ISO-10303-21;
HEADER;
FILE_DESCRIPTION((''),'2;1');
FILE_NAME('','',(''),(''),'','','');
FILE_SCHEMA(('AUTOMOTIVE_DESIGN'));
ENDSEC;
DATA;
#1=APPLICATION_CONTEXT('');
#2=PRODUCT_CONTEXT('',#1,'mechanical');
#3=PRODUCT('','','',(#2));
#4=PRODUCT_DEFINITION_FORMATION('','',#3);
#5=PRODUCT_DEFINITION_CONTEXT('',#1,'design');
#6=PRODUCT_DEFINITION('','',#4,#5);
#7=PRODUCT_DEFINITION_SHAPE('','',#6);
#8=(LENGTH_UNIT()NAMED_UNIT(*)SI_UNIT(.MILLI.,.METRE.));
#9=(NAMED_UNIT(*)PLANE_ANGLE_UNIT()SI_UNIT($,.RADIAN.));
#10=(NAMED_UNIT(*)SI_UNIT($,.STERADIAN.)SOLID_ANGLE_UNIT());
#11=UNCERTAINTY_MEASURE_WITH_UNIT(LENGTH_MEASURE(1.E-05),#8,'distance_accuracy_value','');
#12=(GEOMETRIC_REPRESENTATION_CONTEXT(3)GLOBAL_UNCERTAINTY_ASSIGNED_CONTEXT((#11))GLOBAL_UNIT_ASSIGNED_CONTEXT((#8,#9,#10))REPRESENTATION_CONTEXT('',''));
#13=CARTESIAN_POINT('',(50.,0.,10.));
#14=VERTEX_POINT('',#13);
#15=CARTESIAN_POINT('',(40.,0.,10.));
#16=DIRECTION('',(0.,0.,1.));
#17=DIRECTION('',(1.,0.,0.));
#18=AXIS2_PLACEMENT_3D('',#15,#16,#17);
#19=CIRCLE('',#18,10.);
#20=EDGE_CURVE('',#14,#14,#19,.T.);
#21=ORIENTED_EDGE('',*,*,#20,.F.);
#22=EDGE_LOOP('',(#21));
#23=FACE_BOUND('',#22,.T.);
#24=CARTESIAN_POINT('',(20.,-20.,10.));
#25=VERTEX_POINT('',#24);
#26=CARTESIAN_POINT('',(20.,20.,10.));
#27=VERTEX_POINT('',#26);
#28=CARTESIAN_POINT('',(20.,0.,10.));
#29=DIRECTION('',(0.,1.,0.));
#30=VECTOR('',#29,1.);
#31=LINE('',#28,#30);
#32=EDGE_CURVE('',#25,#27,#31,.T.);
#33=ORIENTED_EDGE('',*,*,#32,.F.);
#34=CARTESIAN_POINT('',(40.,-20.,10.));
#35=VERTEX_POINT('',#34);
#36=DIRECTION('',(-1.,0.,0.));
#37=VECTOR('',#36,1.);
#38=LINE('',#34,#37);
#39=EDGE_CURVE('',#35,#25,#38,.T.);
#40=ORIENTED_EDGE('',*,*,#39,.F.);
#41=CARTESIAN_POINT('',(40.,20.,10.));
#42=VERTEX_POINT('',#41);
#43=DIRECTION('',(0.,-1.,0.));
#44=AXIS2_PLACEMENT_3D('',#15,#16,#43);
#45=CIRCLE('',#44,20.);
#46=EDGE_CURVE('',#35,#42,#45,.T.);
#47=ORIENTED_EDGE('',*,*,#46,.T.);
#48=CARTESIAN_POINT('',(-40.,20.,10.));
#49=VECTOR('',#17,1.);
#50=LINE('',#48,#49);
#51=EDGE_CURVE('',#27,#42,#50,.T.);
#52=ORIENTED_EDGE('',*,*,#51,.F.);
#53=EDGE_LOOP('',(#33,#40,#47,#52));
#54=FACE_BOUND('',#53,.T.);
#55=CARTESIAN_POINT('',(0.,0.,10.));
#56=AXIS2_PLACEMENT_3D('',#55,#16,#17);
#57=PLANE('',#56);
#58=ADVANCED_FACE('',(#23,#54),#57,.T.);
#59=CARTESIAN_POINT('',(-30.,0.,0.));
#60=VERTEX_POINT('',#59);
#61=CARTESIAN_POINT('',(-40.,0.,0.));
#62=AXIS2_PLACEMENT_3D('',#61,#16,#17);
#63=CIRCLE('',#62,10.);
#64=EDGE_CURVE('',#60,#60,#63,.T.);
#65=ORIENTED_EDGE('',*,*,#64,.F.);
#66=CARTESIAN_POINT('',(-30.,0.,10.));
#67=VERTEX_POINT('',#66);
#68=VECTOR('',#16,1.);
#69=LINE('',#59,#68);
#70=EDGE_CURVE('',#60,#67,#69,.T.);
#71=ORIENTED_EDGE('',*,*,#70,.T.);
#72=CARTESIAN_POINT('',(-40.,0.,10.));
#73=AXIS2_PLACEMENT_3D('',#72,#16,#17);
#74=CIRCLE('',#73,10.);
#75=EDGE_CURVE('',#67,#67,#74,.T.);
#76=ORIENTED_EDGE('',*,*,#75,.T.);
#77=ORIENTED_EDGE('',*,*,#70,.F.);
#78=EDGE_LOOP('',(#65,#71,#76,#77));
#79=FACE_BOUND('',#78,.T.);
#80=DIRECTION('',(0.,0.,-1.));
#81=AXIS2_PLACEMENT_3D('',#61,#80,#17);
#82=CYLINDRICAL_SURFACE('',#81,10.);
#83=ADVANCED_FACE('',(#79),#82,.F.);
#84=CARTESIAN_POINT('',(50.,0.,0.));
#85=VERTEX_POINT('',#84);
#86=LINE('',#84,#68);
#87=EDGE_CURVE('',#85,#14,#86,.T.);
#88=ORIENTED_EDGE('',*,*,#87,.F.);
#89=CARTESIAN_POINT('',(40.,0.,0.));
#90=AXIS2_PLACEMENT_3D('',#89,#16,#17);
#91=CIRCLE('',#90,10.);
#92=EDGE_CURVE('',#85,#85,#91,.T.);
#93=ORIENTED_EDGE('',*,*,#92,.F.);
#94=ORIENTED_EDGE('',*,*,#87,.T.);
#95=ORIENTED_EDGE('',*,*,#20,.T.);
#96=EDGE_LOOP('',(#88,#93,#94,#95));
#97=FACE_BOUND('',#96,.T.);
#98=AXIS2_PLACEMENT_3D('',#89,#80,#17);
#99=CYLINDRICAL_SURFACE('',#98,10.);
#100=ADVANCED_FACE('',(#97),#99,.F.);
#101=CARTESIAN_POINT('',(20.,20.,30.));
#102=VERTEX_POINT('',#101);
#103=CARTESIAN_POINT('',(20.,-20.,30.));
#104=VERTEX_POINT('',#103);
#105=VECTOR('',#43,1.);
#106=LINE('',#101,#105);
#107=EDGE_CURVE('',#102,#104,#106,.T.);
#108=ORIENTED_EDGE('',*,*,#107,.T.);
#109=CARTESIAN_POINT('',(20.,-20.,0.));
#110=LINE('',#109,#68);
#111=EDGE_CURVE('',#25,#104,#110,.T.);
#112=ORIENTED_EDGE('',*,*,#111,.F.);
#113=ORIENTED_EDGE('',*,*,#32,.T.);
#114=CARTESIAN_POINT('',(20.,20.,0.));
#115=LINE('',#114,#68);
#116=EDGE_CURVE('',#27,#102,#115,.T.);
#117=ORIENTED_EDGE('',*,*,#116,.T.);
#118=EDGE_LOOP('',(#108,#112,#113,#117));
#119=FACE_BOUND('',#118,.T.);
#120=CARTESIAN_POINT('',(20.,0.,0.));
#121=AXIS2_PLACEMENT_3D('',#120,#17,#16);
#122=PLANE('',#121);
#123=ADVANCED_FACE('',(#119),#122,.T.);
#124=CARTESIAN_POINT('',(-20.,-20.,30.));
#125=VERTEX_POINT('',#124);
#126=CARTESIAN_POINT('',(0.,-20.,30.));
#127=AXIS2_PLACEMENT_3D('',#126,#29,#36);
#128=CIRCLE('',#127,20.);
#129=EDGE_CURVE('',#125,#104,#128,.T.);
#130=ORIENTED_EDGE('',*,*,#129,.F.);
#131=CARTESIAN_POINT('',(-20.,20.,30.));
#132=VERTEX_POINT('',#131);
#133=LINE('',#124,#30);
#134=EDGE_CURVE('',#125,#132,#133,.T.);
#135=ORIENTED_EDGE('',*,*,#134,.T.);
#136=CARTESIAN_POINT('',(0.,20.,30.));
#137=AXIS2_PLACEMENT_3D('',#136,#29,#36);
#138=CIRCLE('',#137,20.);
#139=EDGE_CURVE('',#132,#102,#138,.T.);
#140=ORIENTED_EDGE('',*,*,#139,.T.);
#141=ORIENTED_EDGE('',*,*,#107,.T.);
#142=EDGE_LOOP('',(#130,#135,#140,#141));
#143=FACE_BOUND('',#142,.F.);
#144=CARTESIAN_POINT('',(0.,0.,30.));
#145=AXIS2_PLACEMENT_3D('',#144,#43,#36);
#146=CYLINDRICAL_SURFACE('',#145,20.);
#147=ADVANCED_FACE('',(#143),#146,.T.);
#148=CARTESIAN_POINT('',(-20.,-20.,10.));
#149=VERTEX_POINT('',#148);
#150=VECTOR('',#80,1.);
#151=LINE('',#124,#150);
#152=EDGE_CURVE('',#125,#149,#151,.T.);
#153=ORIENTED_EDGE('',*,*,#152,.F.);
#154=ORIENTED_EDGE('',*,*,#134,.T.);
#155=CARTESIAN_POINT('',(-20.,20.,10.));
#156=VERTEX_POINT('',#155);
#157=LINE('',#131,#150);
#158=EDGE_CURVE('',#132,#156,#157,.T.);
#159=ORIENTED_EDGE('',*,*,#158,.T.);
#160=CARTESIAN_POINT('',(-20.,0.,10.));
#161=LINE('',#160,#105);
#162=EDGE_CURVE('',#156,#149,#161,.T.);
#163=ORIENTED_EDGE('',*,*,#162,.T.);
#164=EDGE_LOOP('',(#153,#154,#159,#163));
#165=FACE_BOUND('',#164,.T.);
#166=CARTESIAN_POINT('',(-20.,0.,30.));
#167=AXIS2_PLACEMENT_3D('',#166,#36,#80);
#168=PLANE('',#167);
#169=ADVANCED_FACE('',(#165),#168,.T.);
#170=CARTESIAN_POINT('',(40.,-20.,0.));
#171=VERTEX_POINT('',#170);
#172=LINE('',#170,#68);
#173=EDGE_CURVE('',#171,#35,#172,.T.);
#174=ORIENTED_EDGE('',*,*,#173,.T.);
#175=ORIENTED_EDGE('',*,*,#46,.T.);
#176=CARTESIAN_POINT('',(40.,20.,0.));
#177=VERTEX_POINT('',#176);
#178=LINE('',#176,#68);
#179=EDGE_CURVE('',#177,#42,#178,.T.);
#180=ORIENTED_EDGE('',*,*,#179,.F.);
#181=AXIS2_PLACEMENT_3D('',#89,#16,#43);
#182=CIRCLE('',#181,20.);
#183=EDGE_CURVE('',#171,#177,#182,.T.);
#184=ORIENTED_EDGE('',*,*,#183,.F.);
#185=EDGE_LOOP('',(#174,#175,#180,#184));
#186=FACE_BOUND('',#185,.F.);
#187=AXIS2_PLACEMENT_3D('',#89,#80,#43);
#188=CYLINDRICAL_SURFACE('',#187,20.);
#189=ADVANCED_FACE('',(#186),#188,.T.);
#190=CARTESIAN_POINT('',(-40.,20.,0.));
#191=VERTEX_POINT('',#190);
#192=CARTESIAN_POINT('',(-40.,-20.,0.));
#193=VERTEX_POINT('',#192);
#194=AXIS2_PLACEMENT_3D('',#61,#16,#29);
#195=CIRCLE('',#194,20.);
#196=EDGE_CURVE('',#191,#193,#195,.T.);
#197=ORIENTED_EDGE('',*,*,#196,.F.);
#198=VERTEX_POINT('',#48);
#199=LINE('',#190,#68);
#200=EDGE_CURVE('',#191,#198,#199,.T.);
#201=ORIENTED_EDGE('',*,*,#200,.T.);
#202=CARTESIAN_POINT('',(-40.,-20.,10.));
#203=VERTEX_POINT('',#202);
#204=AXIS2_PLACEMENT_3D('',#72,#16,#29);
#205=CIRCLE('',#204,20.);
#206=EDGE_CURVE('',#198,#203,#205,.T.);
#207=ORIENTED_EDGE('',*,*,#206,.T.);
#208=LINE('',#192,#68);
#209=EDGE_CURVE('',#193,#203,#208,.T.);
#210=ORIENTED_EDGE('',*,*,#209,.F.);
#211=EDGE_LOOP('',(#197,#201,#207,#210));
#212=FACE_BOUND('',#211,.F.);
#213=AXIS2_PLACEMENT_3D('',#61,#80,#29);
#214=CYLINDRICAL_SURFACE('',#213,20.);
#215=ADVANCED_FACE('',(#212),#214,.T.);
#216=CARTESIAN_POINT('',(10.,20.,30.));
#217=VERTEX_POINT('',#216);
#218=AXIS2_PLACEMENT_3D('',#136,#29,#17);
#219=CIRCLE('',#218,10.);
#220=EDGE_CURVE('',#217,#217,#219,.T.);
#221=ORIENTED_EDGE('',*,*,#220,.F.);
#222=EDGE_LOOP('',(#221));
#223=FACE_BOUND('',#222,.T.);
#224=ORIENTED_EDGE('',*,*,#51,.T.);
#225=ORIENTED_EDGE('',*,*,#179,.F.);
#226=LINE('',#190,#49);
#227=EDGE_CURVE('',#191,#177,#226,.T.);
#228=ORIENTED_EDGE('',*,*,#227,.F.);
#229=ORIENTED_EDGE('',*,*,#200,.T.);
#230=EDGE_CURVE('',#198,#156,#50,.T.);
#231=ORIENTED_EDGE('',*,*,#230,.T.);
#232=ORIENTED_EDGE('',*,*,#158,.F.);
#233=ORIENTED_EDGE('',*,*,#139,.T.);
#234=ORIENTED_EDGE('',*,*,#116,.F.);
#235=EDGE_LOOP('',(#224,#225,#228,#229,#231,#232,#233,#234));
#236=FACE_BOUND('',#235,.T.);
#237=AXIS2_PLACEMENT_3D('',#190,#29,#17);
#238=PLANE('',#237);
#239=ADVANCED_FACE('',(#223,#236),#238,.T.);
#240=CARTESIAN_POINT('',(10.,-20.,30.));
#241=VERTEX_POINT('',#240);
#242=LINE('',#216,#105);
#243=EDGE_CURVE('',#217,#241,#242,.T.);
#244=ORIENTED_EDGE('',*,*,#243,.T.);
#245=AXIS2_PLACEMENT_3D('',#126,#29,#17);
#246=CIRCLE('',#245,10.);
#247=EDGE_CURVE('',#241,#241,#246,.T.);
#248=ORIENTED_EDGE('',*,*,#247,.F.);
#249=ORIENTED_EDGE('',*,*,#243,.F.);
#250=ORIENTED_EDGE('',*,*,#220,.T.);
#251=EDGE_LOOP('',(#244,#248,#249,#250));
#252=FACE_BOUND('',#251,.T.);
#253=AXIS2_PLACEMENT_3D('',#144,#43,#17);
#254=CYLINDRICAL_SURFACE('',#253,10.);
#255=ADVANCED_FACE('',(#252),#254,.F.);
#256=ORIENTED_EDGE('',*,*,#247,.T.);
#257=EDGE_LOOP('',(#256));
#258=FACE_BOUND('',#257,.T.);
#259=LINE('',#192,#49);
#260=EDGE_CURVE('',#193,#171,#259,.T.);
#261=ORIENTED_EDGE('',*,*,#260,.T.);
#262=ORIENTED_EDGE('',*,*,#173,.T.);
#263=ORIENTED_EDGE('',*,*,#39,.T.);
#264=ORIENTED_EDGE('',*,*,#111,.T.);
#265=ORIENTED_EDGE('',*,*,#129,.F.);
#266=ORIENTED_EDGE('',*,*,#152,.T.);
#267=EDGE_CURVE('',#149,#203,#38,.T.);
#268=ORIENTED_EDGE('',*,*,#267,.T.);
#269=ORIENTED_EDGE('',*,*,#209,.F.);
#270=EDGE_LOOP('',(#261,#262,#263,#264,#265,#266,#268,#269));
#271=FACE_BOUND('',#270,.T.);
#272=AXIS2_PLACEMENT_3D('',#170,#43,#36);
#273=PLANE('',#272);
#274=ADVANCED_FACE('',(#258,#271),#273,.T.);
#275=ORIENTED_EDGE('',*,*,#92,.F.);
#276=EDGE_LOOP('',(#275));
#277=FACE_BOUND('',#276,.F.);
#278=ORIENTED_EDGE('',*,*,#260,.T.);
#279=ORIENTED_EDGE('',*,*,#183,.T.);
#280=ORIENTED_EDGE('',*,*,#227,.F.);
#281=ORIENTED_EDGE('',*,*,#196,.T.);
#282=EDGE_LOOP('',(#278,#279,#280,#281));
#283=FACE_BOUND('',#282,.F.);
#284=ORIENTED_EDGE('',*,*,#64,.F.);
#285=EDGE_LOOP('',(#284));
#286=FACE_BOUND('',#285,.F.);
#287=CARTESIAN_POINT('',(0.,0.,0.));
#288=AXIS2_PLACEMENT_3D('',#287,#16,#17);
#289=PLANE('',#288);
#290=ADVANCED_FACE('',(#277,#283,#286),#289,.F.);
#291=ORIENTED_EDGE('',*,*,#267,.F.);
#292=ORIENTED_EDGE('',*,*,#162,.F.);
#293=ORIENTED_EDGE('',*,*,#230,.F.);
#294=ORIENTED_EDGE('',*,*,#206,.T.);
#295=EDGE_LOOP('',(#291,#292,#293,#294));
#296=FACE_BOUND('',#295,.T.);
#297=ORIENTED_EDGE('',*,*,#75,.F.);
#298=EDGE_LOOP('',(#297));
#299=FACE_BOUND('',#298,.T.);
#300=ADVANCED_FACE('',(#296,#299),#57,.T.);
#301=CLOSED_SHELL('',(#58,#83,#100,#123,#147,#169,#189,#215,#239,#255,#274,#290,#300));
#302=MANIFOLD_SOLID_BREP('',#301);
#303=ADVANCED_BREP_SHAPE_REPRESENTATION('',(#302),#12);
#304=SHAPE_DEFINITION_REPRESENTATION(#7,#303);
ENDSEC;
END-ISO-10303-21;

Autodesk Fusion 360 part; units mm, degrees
sketch "Sketch1" plane through (0, 0, 0) normal (0, 0, 1) x (1, 0, 0)
  line L0 (40, -20) -> (-40, -20)
  line L1 (-40, 20) -> (40, 20)
  circle A0 centre (40, 0) radius 10
  circle A1 centre (-40, 0) radius 10
  arc A2 (40, -20) -> (40, 20) centre (40, 0) ccw
  arc A3 (-40, 20) -> (-40, -20) centre (-40, 0) ccw
  dimension "d1" = 80
  dimension "d2" = 40
  dimension "d5" = 40
  dimension "d6" = 40
extrude "Extrude1" add sketch "Sketch1" along normal blind 10
sketch "Sketch2" plane through (0, 0, 0) normal (0, 1, 0) x (1, 0, 0)
  line L0 (-20, 0) -> (20, 0)
  line L1 (20, 0) -> (20, -30)
  line L2 (-20, -30) -> (-20, 0)
  line L3 (-40, 0) -> (-40, -10)
  circle A0 centre (0, -30) radius 10
  arc A1 (-20, -30) -> (20, -30) centre (0, -30) ccw
  dimension "d11" = 40
  dimension "d12" = 30
  dimension "d13" = 20
  dimension "d16" = 20
  dimension "d17" = 20
extrude "Extrude2" add sketch "Sketch2" along normal mid plane 40
